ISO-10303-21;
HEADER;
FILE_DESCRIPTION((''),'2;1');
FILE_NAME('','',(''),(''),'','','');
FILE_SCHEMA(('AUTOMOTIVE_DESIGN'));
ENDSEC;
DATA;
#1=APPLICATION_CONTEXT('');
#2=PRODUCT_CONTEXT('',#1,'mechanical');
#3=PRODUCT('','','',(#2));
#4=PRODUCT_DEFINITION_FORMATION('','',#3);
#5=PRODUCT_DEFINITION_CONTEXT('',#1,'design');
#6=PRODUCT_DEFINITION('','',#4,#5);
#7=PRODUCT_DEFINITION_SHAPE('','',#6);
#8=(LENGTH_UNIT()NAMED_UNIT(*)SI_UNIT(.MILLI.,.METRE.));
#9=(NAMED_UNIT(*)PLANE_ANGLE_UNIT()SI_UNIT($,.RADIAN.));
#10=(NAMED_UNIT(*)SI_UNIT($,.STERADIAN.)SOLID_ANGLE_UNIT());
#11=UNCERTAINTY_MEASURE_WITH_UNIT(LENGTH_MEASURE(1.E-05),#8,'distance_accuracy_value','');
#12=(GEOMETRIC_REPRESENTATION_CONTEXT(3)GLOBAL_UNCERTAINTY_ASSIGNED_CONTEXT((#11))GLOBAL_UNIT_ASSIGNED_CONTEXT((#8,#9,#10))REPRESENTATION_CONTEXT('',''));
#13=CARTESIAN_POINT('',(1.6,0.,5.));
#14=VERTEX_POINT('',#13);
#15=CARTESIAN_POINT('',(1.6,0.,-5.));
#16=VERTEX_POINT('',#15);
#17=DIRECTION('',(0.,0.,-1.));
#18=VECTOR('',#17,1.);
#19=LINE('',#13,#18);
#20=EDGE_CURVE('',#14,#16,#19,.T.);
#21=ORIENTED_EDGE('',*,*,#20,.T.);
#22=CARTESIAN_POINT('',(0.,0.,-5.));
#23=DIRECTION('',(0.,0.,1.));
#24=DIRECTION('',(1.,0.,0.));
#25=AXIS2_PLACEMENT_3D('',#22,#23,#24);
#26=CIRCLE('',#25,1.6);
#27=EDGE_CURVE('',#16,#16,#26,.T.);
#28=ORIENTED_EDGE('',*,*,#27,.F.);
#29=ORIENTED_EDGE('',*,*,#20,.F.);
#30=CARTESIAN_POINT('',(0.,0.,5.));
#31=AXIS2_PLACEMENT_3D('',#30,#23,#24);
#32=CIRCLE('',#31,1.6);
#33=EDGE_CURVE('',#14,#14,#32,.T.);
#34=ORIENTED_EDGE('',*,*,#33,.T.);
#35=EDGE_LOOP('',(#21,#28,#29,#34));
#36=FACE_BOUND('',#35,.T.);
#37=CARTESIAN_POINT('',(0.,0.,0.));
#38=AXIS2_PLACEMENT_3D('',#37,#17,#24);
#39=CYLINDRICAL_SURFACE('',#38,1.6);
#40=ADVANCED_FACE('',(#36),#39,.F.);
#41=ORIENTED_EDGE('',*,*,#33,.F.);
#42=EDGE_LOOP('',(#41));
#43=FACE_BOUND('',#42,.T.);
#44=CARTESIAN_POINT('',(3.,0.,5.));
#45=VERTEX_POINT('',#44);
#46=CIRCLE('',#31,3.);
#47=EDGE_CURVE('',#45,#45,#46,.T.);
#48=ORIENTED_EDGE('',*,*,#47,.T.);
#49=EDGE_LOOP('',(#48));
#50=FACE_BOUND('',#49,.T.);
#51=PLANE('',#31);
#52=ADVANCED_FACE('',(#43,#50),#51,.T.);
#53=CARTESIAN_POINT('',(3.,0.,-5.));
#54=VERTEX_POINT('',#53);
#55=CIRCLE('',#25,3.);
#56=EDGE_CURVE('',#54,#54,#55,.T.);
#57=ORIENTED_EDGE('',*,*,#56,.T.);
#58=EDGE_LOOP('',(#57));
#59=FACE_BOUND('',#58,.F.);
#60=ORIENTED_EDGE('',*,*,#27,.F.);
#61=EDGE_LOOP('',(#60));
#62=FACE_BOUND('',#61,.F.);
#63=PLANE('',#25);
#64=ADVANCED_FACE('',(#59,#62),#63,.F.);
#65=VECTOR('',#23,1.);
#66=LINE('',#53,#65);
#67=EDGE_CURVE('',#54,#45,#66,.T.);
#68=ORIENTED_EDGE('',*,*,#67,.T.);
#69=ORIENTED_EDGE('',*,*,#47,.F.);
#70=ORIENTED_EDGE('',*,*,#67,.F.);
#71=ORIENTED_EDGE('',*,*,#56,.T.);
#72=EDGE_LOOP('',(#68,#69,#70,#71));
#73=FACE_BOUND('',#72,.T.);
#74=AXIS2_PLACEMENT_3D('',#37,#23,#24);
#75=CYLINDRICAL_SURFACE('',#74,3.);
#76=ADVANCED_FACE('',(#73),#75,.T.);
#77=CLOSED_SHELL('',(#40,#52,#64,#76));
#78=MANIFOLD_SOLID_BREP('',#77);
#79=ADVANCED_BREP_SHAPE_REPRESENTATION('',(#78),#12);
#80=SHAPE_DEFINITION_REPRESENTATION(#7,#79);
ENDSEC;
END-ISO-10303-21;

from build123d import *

# Parameters (mm, degrees)
SKETCH1_R      = 3
SKETCH1_R_2    = 1.6
EXTRUDE1_DEPTH = 5


with BuildPart() as part:
    # Sketch1 → Extrude1 (new body, symmetric)
    with BuildSketch(Plane.XY):
        Circle(SKETCH1_R)
        Circle(SKETCH1_R_2, mode=Mode.SUBTRACT)
    extrude(amount=EXTRUDE1_DEPTH, both=True)


solid = part.part
